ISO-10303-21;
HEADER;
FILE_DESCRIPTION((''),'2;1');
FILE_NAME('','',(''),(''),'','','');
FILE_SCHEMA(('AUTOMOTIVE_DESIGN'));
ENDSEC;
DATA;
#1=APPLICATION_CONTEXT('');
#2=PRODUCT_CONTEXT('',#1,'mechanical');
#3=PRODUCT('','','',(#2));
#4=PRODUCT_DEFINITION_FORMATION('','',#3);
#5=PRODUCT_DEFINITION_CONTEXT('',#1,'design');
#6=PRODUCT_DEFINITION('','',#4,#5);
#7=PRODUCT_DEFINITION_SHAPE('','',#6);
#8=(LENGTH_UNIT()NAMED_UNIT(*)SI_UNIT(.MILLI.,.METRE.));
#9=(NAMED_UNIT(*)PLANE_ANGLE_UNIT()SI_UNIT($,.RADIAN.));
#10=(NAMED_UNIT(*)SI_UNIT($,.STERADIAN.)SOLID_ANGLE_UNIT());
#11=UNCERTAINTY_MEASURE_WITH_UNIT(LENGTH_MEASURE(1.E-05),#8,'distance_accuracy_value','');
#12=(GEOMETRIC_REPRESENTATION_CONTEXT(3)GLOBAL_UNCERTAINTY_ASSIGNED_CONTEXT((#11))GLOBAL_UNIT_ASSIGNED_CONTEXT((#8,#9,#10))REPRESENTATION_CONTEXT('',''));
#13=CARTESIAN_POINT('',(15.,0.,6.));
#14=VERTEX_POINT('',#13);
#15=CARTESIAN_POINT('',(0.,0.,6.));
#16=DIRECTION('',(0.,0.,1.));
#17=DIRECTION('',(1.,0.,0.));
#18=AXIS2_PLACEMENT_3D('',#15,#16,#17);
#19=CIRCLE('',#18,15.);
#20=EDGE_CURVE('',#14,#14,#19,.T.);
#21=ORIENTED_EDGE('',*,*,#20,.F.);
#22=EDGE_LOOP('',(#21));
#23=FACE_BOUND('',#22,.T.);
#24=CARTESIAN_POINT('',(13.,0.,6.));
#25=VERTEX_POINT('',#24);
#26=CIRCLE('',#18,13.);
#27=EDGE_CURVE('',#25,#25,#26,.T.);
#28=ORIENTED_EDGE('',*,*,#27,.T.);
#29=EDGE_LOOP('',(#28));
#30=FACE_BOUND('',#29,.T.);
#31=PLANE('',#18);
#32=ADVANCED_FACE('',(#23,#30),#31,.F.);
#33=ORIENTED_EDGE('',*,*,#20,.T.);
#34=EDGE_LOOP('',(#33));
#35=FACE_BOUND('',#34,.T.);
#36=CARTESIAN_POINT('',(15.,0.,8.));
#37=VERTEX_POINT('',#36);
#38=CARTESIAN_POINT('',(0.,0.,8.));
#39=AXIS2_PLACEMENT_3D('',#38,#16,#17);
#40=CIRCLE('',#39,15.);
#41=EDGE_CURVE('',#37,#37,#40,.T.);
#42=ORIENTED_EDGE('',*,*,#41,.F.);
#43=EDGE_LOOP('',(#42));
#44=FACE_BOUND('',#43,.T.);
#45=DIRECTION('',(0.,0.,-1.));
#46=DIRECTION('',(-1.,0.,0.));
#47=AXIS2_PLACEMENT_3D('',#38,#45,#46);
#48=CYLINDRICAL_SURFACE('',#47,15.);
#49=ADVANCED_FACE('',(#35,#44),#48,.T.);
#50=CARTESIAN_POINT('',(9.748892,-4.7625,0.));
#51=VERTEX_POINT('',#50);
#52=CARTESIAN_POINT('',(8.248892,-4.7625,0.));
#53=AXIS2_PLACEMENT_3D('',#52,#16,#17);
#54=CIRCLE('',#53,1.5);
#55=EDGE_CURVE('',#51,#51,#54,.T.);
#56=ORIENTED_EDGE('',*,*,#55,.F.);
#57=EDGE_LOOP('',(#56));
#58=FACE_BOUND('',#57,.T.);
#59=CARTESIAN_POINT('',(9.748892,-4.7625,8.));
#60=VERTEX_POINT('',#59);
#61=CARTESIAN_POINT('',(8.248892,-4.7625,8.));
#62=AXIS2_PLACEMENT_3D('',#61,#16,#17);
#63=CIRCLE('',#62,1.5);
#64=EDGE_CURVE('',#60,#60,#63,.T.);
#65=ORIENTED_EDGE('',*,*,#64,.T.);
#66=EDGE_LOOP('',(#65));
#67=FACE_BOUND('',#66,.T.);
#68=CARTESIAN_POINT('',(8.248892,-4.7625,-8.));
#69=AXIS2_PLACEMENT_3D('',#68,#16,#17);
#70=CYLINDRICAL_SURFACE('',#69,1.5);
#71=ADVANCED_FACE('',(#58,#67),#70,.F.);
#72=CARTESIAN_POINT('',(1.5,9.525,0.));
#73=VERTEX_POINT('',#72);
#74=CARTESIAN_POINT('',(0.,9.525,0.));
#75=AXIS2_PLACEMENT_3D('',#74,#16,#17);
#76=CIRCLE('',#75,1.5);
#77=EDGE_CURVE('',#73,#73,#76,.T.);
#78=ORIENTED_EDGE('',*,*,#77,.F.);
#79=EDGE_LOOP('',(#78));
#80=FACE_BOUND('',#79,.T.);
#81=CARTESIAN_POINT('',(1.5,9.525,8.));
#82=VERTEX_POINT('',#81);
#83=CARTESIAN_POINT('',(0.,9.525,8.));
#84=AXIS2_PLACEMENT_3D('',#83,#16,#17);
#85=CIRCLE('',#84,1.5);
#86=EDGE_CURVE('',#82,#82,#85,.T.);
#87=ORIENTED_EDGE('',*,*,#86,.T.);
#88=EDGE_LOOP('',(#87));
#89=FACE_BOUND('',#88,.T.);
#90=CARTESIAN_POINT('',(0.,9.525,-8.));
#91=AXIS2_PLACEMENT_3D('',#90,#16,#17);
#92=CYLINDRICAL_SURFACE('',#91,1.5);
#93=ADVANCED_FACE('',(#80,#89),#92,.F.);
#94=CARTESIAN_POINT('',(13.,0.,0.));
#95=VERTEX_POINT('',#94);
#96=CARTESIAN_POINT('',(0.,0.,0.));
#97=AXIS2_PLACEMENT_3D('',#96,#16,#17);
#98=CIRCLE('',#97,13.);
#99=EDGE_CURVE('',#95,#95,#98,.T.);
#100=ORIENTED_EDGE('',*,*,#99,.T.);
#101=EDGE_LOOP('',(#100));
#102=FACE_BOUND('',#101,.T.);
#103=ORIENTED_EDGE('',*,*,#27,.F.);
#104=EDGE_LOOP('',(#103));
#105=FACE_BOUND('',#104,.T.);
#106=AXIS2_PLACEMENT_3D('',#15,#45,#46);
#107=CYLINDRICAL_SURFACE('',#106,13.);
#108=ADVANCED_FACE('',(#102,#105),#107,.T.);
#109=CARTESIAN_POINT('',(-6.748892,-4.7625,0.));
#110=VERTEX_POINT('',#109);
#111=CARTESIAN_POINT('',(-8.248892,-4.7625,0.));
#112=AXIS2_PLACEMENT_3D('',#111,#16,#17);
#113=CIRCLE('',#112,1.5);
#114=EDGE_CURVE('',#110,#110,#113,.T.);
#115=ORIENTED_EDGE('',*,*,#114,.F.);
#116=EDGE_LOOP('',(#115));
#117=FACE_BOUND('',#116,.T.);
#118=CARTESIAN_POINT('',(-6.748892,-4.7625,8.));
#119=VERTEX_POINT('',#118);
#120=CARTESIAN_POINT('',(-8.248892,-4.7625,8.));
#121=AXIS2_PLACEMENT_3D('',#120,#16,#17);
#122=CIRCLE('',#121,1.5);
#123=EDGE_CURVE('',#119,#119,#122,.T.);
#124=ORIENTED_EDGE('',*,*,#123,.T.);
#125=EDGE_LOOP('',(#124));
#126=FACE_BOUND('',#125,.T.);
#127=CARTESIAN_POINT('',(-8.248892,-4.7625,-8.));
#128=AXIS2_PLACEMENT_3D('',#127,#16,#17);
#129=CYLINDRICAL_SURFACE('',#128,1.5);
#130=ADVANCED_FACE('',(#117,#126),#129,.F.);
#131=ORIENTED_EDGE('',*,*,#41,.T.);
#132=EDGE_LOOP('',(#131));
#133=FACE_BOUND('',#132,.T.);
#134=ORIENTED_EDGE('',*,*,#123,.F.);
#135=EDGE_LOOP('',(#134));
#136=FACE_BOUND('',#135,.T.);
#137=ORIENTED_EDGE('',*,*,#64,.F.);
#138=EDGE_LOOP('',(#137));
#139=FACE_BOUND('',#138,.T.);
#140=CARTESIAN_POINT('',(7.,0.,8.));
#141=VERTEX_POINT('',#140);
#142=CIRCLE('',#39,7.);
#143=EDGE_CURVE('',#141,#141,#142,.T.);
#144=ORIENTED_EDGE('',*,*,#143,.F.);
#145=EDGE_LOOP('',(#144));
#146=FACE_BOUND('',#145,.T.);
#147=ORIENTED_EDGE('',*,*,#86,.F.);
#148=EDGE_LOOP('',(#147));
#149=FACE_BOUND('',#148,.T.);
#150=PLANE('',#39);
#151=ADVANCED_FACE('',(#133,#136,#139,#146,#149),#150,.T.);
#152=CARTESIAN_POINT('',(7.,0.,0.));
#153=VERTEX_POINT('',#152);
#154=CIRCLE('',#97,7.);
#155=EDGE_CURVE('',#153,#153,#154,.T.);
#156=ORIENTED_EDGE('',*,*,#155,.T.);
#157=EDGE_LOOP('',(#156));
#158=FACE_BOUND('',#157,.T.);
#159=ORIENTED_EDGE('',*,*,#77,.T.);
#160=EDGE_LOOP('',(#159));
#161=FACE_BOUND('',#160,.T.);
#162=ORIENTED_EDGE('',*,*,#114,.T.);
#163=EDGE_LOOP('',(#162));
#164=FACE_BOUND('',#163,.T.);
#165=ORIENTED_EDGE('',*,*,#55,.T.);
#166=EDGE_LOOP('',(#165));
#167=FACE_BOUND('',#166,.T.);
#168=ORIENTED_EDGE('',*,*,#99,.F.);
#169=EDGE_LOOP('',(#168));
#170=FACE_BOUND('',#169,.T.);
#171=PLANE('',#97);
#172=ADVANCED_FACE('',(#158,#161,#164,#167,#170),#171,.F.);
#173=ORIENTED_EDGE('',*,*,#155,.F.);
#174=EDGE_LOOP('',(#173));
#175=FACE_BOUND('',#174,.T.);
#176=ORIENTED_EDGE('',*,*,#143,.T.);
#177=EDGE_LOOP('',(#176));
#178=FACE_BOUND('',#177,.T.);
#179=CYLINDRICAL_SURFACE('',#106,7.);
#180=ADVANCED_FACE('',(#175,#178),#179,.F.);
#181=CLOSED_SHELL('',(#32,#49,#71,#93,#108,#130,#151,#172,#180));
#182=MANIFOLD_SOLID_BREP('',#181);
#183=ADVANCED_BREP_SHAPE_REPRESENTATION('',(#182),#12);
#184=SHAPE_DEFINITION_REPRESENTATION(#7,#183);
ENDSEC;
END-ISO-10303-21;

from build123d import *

# Parameters (mm, degrees)
SKETCH1_R           = 13
SKETCH1_R_2         = 7
BOSS_EXTRUDE1_DEPTH = 6
SKETCH2_R           = 15
SKETCH2_R_2         = 7
BOSS_EXTRUDE2_DEPTH = 2
SKETCH3_R           = 1.5
CUT_EXTRUDE1_DEPTH  = 16


with BuildPart() as part:
    # Sketch1 → Boss-Extrude1 (new body)
    with BuildSketch(Plane.XY):
        Circle(SKETCH1_R)
        Circle(SKETCH1_R_2, mode=Mode.SUBTRACT)
    extrude(amount=BOSS_EXTRUDE1_DEPTH)

    # Sketch2 → Boss-Extrude2 (add)
    with BuildSketch(Plane.XY.offset(6)):
        Circle(SKETCH2_R)
        Circle(SKETCH2_R_2, mode=Mode.SUBTRACT)
    extrude(amount=BOSS_EXTRUDE2_DEPTH)

    # Sketch3 → Cut-Extrude1 (cut)
    with BuildSketch(Plane.XY.offset(8)):
        with Locations((0, 9.525)):
            Circle(SKETCH3_R)
        with Locations((8.248891971, -4.7625)):
            Circle(SKETCH3_R)
        with Locations((-8.248891971, -4.7625)):
            Circle(SKETCH3_R)
    extrude(amount=-CUT_EXTRUDE1_DEPTH, mode=Mode.SUBTRACT)


solid = part.part
